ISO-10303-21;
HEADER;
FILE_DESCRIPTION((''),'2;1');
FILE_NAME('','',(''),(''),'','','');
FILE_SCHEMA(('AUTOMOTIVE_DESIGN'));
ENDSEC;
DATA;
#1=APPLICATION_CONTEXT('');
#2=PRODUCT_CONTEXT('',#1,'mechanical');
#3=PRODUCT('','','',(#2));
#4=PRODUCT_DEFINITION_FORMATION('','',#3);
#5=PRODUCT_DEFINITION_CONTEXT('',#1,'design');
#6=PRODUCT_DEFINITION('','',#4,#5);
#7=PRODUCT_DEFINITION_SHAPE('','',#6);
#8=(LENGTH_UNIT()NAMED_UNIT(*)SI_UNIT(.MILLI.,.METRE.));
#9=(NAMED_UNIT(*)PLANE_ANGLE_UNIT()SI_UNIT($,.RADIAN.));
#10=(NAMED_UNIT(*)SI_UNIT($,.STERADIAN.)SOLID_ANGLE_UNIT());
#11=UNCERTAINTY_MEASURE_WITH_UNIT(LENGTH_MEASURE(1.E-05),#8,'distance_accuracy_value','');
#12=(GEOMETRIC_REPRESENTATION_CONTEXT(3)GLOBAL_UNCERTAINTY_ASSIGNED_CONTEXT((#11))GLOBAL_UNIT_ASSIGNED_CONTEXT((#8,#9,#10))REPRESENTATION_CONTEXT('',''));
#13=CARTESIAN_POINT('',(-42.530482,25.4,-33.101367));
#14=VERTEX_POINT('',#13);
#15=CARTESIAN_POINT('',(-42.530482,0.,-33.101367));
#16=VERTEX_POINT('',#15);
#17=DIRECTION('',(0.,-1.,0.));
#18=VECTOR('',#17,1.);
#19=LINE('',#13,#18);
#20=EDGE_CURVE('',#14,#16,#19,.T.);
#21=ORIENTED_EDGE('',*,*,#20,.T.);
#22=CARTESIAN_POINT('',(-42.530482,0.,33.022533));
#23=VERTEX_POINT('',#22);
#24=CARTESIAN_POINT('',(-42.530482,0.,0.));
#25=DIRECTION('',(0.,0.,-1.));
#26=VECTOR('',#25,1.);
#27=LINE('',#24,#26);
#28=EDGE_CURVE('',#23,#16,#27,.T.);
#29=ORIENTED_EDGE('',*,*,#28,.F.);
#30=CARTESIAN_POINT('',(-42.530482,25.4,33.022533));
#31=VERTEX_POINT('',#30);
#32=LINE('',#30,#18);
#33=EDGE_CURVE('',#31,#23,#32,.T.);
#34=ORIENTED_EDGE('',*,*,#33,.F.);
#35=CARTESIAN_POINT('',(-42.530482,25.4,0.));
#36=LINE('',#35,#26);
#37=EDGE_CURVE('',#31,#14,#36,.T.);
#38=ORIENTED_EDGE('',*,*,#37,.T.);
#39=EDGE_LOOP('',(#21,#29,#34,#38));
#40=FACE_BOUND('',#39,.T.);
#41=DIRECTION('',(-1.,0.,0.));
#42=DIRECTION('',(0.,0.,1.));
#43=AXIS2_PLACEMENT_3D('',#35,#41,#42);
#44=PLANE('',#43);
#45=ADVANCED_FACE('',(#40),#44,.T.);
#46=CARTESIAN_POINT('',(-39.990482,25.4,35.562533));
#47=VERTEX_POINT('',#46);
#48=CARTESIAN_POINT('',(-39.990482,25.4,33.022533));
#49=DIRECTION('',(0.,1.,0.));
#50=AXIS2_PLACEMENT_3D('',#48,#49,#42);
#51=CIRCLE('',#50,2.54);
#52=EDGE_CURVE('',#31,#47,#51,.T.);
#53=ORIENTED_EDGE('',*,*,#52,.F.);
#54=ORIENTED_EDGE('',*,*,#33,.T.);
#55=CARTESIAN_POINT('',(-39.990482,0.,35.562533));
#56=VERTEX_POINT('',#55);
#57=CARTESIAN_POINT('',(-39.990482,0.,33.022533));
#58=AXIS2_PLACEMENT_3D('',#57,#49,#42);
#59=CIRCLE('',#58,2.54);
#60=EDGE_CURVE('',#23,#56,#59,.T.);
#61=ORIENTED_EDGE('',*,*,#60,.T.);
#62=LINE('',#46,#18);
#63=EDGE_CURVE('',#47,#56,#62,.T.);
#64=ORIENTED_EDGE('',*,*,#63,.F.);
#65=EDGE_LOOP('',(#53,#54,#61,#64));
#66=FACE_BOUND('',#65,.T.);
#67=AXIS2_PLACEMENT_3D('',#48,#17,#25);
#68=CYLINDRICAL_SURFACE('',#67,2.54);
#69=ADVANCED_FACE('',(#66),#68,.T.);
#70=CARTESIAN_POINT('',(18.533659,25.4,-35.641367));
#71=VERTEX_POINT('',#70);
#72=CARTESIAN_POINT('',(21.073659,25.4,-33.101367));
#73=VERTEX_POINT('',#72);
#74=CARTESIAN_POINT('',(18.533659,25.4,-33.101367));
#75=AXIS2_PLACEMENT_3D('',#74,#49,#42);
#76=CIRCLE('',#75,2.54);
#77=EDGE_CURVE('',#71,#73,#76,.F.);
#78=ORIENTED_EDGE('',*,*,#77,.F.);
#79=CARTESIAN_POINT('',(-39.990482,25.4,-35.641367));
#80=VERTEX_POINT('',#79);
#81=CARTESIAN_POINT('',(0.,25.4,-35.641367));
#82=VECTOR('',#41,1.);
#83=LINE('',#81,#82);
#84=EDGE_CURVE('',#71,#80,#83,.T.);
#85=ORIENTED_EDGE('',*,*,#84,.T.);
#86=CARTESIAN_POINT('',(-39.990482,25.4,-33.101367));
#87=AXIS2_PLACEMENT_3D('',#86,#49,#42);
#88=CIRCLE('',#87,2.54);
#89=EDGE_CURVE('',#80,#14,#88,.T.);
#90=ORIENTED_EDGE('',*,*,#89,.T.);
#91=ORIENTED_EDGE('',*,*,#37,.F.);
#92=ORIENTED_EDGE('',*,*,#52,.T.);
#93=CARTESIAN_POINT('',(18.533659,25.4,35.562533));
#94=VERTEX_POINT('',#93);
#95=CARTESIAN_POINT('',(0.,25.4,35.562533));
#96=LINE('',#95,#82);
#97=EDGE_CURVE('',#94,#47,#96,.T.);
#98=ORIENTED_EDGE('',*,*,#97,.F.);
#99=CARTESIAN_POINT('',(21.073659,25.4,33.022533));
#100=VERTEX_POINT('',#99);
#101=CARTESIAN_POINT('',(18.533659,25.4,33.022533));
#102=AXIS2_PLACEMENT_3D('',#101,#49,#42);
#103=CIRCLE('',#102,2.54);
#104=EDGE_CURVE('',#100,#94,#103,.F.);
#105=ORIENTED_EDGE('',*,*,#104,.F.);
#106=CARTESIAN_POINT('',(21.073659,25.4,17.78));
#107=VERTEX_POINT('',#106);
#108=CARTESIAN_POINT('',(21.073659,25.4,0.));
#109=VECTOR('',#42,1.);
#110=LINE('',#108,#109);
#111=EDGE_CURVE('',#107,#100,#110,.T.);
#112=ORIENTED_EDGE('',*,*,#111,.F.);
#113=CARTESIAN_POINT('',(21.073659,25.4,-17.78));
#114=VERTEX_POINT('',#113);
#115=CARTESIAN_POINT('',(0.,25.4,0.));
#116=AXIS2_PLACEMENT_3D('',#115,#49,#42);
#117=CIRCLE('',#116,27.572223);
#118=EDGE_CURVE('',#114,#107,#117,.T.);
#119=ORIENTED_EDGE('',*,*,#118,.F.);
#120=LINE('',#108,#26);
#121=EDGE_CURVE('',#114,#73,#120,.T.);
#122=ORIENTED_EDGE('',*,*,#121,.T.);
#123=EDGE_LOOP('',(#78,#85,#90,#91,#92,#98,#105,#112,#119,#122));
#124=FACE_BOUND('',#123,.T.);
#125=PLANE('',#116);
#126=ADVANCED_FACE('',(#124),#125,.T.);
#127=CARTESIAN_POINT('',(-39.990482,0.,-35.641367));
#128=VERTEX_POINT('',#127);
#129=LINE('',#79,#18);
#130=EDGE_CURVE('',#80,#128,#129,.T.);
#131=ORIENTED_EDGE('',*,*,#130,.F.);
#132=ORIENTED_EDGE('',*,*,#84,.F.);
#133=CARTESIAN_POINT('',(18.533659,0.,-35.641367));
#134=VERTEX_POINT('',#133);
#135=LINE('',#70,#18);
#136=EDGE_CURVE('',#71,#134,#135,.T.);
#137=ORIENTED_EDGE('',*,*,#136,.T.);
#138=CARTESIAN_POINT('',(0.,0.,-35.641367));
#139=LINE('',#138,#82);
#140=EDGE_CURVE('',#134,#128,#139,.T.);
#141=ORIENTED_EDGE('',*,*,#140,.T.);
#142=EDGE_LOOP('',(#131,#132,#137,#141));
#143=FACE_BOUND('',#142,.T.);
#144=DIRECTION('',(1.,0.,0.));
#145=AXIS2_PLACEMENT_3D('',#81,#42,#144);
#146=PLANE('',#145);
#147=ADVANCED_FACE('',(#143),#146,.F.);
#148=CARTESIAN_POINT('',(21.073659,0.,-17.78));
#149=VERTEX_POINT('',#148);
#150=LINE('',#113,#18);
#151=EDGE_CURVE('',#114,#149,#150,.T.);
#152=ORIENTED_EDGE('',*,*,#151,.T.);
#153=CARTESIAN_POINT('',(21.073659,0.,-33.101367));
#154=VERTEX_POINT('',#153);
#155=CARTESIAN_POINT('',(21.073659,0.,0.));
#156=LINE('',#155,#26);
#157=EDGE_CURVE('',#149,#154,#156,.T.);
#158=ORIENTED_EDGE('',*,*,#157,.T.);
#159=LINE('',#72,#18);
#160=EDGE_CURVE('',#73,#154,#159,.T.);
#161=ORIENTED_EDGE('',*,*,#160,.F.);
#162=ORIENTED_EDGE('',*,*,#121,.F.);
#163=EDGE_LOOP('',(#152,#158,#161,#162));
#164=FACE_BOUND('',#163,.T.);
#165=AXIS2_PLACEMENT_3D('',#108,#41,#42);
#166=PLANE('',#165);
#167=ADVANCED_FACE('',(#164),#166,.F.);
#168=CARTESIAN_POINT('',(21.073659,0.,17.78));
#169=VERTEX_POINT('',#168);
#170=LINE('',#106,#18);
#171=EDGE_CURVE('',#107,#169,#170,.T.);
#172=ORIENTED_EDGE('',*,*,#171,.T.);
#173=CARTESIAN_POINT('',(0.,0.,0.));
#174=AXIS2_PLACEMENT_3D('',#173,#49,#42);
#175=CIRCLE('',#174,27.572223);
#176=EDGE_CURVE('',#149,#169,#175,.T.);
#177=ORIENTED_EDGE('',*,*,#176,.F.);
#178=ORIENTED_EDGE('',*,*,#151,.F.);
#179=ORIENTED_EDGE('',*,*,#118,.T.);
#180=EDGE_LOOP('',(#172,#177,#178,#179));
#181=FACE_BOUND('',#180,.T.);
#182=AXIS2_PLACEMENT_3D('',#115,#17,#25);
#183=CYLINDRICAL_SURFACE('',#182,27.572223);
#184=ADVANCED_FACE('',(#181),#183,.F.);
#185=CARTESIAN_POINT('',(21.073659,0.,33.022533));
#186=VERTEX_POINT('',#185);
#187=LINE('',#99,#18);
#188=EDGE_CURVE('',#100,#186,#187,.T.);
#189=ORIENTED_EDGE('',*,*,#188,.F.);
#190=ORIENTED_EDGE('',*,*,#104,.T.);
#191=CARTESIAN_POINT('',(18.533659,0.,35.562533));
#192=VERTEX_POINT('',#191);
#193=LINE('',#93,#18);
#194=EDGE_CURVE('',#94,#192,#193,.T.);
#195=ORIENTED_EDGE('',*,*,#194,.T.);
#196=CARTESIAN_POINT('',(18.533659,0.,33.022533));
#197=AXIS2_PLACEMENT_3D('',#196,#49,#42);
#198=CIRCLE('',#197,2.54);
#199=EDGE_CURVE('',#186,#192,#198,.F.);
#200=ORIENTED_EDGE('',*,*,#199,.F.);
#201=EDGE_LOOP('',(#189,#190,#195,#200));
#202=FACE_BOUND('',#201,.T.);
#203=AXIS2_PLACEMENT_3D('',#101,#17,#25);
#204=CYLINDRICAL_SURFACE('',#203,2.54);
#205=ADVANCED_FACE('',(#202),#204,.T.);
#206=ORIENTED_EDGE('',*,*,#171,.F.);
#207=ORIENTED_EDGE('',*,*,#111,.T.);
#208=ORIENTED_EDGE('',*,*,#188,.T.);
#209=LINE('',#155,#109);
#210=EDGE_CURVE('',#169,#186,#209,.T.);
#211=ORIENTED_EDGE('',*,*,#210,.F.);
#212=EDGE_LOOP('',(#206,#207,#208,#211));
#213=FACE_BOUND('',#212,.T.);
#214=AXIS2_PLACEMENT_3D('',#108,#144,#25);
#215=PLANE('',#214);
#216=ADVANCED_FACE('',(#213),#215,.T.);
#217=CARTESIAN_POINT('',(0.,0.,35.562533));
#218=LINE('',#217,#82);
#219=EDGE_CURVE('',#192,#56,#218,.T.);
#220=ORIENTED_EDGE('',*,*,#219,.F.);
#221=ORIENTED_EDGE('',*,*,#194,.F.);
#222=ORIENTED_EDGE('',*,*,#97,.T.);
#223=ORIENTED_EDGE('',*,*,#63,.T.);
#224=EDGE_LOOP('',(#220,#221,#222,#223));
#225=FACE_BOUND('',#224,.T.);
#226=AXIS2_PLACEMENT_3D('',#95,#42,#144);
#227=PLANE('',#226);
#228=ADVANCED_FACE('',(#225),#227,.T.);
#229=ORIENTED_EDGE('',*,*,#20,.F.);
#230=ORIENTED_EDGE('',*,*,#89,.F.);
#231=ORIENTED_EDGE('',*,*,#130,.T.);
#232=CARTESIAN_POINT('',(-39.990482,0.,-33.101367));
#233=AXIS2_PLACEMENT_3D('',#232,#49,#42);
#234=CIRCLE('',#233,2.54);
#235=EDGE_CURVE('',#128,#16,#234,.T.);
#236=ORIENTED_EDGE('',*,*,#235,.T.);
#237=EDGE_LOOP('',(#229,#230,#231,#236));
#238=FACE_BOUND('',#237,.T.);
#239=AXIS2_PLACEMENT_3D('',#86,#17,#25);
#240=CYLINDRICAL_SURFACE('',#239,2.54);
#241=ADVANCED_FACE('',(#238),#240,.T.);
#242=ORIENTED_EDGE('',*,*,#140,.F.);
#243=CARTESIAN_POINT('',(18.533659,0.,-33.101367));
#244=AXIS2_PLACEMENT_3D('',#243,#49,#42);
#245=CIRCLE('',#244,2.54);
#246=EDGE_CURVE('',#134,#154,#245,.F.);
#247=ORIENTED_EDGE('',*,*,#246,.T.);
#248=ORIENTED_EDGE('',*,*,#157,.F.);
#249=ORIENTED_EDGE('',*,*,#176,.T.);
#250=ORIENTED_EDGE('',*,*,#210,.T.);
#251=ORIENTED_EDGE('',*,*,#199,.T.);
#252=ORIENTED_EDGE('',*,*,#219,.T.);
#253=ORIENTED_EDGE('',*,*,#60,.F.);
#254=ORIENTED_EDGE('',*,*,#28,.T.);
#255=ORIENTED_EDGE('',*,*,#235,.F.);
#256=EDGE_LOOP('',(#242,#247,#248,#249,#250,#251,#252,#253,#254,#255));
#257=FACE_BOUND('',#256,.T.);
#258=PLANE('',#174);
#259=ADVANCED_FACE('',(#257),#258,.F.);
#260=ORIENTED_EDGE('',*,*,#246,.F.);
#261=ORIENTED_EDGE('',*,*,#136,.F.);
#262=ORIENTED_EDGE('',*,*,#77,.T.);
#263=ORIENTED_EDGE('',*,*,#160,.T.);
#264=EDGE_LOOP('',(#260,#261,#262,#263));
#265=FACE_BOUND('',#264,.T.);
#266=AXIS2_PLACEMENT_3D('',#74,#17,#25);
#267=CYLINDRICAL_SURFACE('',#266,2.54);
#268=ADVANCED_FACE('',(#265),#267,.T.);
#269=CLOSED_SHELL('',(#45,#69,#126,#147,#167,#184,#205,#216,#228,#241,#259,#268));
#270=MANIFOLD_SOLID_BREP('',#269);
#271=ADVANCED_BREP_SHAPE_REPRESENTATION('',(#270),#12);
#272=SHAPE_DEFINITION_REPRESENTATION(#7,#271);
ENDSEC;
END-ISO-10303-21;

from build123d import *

# Parameters (mm, degrees)
BOSS_EXTRUDE1_DEPTH = 25.4


with BuildPart() as part:
    # Sketch1 → Boss-Extrude1 (new body)
    with BuildSketch(Plane(origin=(0, 0, 0), x_dir=(1, 0, 0), z_dir=(0, 1, 0))):
        with BuildLine():
            Line((18.533658611, 35.641367486), (-39.99048208, 35.641367486))
            ThreePointArc((-39.99048208, 35.641367486), (-41.786533304, 34.89741871), (-42.53048208, 33.101367486))
            Line((-42.53048208, 33.101367486), (-42.53048208, -33.022533273))
            ThreePointArc((-42.53048208, -33.022533273), (-41.786533304, -34.818584498), (-39.99048208, -35.562533273))
            Line((-39.99048208, -35.562533273), (18.533658611, -35.562533273))
            ThreePointArc((18.533658611, -35.562533273), (20.329709835, -34.818584498), (21.073658611, -33.022533273))
            Line((21.073658611, -33.022533273), (21.073658611, -17.78))
            ThreePointArc((21.073658611, -17.78), (-27.572223111, 0), (21.073658611, 17.78))
            Line((21.073658611, 17.78), (21.073658611, 33.101367486))
            ThreePointArc((21.073658611, 33.101367486), (20.329709835, 34.89741871), (18.533658611, 35.641367486))
        make_face()
    extrude(amount=BOSS_EXTRUDE1_DEPTH)


solid = part.part
